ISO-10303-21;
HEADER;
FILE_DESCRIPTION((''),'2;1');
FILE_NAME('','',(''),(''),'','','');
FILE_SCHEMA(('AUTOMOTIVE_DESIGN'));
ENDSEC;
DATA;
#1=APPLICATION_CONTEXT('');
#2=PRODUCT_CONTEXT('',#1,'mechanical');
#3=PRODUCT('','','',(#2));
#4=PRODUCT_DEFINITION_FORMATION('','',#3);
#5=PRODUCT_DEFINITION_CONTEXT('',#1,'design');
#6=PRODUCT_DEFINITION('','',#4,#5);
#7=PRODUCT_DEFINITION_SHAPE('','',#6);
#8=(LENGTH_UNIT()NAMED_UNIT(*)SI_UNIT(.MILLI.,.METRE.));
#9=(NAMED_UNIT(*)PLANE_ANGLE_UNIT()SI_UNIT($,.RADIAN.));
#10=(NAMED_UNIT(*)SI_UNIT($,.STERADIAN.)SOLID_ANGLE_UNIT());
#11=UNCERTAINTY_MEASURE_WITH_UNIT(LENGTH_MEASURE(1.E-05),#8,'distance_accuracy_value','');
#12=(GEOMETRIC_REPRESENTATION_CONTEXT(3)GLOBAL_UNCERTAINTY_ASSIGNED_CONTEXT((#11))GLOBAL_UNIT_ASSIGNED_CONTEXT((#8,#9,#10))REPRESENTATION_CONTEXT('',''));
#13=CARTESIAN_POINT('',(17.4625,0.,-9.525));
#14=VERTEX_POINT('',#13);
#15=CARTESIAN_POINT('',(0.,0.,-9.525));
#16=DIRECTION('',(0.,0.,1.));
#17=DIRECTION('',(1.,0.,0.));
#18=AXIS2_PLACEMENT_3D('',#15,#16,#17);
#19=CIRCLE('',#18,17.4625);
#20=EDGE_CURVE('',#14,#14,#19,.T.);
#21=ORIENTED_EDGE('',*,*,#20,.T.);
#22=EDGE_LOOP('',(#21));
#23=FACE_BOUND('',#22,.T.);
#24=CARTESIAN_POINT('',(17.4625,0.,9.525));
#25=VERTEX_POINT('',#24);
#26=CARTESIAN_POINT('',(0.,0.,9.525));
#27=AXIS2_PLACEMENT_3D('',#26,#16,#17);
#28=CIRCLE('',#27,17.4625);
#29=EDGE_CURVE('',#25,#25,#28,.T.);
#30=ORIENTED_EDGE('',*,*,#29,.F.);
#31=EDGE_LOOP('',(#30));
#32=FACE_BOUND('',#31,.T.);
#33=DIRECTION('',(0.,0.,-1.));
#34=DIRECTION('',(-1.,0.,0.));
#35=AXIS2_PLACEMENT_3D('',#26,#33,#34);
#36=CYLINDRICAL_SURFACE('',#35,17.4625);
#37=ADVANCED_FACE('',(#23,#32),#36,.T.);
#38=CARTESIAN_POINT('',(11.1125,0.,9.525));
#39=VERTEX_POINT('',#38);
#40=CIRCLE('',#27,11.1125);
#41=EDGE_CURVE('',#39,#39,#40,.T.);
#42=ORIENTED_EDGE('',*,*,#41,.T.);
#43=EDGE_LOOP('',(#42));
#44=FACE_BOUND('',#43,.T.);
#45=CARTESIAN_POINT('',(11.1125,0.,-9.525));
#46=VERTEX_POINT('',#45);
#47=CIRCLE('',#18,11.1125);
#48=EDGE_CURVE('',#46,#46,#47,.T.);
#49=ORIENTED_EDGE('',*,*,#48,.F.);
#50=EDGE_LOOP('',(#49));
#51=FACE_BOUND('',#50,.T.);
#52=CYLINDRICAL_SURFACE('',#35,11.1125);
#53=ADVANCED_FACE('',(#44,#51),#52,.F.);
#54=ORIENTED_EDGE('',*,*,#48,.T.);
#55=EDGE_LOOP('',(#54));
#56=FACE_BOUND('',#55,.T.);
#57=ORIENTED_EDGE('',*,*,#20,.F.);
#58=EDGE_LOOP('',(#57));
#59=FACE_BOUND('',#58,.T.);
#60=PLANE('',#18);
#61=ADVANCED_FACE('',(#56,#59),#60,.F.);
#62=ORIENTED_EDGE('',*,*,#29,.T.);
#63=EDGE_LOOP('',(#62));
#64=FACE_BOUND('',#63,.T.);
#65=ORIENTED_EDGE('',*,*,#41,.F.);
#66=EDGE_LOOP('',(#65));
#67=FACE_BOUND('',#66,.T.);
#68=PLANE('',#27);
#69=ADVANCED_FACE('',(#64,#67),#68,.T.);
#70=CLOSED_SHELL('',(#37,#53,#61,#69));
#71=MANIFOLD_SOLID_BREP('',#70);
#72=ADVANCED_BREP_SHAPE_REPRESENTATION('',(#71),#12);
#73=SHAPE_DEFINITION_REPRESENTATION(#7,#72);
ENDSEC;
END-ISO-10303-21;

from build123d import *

# Parameters (mm, degrees)
SKETCH3_R           = 17.4625
SKETCH3_R_2         = 11.1125
BOSS_EXTRUDE1_DEPTH = 9.525


with BuildPart() as part:
    # Sketch3 → Boss-Extrude1 (new body, symmetric)
    with BuildSketch(Plane.XY):
        Circle(SKETCH3_R)
        Circle(SKETCH3_R_2, mode=Mode.SUBTRACT)
    extrude(amount=BOSS_EXTRUDE1_DEPTH, both=True)


solid = part.part
